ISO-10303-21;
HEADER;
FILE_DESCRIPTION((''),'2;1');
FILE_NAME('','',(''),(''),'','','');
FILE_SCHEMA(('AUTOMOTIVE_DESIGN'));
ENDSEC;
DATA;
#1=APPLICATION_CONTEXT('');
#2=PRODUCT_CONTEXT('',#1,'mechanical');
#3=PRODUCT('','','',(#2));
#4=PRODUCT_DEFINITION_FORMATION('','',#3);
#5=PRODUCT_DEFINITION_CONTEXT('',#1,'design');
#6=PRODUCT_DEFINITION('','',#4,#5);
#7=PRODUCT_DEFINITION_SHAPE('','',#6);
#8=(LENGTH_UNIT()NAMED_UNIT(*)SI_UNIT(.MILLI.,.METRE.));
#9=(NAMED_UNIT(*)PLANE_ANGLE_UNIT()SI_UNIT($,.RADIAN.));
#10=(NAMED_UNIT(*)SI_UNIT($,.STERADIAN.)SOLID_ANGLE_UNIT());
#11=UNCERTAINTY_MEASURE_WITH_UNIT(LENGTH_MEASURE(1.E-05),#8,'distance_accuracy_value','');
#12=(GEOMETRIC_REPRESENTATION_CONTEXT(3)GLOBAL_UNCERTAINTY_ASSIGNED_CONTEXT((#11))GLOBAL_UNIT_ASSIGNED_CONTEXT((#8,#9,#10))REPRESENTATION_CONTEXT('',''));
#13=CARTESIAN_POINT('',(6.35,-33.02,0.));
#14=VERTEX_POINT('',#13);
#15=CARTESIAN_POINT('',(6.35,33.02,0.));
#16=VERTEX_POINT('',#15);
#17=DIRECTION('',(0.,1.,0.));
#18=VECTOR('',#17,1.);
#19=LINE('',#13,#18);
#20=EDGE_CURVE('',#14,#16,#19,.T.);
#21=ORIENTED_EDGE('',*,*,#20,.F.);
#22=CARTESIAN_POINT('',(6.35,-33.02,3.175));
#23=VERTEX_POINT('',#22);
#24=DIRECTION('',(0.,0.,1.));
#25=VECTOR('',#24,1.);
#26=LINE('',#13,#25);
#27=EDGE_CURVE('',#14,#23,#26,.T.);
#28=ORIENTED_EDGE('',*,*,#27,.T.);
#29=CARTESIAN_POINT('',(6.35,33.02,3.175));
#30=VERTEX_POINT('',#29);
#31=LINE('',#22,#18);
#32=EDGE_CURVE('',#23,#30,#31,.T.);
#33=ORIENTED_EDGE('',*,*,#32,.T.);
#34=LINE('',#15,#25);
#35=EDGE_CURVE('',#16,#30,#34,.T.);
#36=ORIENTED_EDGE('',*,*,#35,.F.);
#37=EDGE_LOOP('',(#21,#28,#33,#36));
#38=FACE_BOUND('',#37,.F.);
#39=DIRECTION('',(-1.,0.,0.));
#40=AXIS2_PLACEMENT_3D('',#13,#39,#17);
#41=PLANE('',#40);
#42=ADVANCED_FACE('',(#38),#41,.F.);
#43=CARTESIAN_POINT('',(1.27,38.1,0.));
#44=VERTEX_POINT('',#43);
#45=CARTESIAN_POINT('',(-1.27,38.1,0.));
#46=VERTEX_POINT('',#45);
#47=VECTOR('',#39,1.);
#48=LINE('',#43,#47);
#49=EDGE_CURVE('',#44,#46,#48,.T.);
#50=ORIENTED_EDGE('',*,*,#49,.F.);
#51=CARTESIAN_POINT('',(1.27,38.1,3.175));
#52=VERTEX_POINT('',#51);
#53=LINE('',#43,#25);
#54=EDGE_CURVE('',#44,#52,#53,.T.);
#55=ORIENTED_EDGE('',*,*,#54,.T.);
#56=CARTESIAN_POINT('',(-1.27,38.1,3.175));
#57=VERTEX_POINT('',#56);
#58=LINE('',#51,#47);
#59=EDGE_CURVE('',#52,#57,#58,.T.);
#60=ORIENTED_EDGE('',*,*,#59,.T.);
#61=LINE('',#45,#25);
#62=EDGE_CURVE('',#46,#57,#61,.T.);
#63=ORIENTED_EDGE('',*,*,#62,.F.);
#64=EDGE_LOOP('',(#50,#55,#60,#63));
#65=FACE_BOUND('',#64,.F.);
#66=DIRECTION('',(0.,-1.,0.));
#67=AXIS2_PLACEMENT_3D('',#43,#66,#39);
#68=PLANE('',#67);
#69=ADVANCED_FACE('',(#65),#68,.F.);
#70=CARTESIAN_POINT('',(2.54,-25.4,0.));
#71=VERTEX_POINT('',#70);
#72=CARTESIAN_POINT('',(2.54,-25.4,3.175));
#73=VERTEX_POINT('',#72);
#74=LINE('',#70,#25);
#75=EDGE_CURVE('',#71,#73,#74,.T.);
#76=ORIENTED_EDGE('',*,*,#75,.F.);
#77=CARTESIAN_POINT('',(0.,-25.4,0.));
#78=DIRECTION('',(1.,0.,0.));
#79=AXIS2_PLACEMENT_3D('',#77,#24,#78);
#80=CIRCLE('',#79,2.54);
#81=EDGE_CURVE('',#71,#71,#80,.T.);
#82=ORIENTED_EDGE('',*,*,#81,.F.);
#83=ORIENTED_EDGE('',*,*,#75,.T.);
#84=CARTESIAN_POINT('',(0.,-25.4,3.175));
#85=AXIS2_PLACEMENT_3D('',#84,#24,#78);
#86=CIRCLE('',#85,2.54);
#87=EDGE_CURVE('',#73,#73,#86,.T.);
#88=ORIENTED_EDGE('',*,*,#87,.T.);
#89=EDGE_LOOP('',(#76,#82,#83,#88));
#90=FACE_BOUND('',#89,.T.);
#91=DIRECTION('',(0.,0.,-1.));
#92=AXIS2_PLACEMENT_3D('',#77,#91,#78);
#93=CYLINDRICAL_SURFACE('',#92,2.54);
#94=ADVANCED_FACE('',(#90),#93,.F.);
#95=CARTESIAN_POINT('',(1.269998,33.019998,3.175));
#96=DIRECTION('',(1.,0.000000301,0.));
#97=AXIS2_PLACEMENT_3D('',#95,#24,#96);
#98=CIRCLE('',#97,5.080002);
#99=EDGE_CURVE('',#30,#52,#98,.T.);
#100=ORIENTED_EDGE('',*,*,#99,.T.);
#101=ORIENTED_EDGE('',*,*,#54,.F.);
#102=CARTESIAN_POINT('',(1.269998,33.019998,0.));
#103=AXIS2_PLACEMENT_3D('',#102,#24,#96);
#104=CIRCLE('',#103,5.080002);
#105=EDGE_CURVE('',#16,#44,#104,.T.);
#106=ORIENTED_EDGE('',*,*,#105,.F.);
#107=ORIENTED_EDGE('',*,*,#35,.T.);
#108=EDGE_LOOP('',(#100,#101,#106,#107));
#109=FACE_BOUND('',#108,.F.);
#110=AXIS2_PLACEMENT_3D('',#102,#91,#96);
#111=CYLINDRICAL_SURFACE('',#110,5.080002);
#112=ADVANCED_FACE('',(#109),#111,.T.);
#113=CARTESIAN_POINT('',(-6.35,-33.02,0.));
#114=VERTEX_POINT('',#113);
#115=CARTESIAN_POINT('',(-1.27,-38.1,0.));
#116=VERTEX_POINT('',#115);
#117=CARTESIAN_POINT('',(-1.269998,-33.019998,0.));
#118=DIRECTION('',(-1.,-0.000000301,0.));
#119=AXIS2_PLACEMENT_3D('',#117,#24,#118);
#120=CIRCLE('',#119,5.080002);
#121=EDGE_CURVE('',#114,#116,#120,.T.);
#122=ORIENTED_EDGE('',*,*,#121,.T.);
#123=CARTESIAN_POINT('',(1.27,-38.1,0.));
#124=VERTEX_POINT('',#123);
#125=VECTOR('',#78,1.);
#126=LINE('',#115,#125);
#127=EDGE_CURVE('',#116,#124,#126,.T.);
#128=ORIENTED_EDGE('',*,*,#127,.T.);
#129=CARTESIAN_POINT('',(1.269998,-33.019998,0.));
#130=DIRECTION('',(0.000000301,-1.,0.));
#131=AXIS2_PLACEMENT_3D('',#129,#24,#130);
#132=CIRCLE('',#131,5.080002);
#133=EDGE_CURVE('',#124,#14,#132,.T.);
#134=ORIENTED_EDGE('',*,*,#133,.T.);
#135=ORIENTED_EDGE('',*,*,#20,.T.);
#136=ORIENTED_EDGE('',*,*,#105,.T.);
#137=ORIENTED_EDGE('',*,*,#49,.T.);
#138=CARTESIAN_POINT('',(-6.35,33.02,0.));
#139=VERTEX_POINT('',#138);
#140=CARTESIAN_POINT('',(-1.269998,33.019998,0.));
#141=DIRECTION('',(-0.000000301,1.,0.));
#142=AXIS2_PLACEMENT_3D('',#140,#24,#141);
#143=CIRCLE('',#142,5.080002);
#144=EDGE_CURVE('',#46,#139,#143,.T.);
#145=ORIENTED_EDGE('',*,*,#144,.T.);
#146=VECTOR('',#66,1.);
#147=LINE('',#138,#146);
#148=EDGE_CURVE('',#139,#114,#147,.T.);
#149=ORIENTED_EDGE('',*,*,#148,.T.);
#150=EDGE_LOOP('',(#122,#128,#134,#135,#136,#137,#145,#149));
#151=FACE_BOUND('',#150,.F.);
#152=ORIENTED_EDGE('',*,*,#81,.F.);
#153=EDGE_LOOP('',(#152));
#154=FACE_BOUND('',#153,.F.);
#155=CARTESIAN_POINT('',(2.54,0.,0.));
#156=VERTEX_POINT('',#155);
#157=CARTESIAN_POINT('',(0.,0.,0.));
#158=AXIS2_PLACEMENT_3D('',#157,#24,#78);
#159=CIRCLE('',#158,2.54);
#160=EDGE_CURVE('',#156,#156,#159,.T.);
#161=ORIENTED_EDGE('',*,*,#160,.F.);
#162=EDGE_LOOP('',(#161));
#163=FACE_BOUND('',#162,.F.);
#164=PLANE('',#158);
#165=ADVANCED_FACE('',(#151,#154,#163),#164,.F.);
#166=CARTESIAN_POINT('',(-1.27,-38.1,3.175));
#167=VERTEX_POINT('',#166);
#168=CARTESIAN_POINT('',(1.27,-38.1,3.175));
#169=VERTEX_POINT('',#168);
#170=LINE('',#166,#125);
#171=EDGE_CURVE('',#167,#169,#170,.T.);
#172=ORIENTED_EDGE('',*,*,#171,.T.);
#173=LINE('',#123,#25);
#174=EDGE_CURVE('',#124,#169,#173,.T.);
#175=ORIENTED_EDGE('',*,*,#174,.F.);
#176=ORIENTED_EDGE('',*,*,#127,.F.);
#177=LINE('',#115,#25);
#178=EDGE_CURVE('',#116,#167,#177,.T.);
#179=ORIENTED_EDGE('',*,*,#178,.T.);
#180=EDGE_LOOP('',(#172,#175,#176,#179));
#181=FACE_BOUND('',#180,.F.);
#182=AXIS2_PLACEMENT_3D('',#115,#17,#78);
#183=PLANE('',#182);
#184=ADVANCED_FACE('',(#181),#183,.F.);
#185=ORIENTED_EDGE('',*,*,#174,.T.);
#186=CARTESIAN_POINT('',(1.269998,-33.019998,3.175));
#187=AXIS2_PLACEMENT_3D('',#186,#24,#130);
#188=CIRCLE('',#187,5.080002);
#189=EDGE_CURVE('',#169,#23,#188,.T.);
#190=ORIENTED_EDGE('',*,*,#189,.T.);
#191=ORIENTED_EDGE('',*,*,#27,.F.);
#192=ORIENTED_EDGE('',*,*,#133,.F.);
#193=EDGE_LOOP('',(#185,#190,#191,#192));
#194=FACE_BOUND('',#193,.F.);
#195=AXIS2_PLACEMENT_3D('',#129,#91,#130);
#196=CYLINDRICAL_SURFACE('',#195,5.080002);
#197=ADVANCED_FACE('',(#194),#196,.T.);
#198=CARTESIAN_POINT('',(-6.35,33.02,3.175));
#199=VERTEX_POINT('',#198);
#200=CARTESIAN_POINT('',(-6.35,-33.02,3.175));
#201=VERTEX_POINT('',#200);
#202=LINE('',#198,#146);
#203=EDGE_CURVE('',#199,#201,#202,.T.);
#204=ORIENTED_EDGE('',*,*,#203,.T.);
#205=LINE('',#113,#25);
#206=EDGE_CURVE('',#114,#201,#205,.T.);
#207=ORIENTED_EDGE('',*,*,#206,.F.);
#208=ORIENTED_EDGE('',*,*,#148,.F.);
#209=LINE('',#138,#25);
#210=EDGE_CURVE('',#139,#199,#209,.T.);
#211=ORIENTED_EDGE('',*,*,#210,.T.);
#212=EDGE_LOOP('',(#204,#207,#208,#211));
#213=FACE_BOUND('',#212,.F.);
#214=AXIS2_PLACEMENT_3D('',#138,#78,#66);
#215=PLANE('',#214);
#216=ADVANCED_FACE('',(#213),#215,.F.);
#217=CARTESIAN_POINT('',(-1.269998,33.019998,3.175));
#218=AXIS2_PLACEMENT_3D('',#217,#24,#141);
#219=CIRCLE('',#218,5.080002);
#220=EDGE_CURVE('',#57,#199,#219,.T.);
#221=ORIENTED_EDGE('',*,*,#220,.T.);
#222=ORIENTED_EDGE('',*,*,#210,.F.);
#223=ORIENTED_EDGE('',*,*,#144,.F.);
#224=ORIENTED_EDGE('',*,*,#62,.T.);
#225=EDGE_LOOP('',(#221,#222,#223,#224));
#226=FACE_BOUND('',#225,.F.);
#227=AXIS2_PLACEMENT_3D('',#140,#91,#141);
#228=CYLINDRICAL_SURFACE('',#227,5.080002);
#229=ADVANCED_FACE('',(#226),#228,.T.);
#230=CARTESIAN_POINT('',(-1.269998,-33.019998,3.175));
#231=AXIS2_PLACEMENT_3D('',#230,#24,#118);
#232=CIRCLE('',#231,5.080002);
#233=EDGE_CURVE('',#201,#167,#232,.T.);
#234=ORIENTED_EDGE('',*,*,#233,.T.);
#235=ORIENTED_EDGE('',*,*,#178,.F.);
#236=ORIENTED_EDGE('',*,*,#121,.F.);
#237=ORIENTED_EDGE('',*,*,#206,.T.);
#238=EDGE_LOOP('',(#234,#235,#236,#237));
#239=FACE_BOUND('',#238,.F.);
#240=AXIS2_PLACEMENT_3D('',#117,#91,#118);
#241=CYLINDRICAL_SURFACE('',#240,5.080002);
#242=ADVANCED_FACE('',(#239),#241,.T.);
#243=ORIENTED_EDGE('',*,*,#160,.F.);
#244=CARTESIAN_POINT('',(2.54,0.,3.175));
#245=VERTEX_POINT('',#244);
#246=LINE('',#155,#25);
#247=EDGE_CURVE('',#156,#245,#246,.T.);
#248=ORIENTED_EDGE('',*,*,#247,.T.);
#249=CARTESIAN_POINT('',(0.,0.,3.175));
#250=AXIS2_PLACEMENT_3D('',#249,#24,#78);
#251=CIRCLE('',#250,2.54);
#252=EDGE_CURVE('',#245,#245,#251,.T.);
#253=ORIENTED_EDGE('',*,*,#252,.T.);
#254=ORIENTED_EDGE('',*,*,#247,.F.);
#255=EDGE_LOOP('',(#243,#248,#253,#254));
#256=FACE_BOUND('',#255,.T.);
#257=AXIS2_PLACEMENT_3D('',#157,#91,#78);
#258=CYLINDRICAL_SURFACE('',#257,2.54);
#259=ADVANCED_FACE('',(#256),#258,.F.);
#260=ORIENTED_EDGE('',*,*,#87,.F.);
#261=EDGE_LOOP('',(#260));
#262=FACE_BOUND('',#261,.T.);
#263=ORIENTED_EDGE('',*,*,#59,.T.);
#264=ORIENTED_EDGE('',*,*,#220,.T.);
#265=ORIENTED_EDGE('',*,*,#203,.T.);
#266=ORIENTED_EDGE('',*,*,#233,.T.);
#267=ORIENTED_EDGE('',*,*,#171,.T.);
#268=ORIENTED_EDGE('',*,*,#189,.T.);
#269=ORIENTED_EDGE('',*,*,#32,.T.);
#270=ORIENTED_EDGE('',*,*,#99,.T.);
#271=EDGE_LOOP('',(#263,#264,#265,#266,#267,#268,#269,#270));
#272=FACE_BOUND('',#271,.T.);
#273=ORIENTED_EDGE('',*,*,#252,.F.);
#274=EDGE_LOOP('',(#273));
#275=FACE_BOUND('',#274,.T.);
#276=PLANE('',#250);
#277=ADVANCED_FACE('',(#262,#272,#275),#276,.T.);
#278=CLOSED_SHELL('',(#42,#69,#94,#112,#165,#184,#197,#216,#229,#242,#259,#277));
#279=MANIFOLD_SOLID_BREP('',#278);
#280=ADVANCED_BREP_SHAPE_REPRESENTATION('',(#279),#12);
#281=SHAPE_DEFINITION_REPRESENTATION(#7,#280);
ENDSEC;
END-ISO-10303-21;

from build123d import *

# Parameters (mm, degrees)
F0_R     = 2.54
F1_DEPTH = 3.175


with BuildPart() as f1:
    # F0 (on Top) → F1 (new body)
    with BuildSketch(Plane.XY):
        with BuildLine():
            ThreePointArc((6.35, 33.02), (4.862102, 36.612102), (1.27, 38.1))
            Line((1.27, 38.1), (-1.27, 38.1))
            ThreePointArc((-1.27, 38.1), (-4.862102, 36.612102), (-6.35, 33.02))
            Line((-6.35, 33.02), (-6.35, -33.02))
            ThreePointArc((-6.35, -33.02), (-4.862102, -36.612102), (-1.27, -38.1))
            Line((-1.27, -38.1), (1.27, -38.1))
            ThreePointArc((1.27, -38.1), (4.862102, -36.612102), (6.35, -33.02))
            Line((6.35, -33.02), (6.35, 33.02))
        make_face()
        with Locations((0, -25.4)):
            Circle(F0_R, mode=Mode.SUBTRACT)
        Circle(F0_R, mode=Mode.SUBTRACT)
    extrude(amount=F1_DEPTH)


solid = f1.part
